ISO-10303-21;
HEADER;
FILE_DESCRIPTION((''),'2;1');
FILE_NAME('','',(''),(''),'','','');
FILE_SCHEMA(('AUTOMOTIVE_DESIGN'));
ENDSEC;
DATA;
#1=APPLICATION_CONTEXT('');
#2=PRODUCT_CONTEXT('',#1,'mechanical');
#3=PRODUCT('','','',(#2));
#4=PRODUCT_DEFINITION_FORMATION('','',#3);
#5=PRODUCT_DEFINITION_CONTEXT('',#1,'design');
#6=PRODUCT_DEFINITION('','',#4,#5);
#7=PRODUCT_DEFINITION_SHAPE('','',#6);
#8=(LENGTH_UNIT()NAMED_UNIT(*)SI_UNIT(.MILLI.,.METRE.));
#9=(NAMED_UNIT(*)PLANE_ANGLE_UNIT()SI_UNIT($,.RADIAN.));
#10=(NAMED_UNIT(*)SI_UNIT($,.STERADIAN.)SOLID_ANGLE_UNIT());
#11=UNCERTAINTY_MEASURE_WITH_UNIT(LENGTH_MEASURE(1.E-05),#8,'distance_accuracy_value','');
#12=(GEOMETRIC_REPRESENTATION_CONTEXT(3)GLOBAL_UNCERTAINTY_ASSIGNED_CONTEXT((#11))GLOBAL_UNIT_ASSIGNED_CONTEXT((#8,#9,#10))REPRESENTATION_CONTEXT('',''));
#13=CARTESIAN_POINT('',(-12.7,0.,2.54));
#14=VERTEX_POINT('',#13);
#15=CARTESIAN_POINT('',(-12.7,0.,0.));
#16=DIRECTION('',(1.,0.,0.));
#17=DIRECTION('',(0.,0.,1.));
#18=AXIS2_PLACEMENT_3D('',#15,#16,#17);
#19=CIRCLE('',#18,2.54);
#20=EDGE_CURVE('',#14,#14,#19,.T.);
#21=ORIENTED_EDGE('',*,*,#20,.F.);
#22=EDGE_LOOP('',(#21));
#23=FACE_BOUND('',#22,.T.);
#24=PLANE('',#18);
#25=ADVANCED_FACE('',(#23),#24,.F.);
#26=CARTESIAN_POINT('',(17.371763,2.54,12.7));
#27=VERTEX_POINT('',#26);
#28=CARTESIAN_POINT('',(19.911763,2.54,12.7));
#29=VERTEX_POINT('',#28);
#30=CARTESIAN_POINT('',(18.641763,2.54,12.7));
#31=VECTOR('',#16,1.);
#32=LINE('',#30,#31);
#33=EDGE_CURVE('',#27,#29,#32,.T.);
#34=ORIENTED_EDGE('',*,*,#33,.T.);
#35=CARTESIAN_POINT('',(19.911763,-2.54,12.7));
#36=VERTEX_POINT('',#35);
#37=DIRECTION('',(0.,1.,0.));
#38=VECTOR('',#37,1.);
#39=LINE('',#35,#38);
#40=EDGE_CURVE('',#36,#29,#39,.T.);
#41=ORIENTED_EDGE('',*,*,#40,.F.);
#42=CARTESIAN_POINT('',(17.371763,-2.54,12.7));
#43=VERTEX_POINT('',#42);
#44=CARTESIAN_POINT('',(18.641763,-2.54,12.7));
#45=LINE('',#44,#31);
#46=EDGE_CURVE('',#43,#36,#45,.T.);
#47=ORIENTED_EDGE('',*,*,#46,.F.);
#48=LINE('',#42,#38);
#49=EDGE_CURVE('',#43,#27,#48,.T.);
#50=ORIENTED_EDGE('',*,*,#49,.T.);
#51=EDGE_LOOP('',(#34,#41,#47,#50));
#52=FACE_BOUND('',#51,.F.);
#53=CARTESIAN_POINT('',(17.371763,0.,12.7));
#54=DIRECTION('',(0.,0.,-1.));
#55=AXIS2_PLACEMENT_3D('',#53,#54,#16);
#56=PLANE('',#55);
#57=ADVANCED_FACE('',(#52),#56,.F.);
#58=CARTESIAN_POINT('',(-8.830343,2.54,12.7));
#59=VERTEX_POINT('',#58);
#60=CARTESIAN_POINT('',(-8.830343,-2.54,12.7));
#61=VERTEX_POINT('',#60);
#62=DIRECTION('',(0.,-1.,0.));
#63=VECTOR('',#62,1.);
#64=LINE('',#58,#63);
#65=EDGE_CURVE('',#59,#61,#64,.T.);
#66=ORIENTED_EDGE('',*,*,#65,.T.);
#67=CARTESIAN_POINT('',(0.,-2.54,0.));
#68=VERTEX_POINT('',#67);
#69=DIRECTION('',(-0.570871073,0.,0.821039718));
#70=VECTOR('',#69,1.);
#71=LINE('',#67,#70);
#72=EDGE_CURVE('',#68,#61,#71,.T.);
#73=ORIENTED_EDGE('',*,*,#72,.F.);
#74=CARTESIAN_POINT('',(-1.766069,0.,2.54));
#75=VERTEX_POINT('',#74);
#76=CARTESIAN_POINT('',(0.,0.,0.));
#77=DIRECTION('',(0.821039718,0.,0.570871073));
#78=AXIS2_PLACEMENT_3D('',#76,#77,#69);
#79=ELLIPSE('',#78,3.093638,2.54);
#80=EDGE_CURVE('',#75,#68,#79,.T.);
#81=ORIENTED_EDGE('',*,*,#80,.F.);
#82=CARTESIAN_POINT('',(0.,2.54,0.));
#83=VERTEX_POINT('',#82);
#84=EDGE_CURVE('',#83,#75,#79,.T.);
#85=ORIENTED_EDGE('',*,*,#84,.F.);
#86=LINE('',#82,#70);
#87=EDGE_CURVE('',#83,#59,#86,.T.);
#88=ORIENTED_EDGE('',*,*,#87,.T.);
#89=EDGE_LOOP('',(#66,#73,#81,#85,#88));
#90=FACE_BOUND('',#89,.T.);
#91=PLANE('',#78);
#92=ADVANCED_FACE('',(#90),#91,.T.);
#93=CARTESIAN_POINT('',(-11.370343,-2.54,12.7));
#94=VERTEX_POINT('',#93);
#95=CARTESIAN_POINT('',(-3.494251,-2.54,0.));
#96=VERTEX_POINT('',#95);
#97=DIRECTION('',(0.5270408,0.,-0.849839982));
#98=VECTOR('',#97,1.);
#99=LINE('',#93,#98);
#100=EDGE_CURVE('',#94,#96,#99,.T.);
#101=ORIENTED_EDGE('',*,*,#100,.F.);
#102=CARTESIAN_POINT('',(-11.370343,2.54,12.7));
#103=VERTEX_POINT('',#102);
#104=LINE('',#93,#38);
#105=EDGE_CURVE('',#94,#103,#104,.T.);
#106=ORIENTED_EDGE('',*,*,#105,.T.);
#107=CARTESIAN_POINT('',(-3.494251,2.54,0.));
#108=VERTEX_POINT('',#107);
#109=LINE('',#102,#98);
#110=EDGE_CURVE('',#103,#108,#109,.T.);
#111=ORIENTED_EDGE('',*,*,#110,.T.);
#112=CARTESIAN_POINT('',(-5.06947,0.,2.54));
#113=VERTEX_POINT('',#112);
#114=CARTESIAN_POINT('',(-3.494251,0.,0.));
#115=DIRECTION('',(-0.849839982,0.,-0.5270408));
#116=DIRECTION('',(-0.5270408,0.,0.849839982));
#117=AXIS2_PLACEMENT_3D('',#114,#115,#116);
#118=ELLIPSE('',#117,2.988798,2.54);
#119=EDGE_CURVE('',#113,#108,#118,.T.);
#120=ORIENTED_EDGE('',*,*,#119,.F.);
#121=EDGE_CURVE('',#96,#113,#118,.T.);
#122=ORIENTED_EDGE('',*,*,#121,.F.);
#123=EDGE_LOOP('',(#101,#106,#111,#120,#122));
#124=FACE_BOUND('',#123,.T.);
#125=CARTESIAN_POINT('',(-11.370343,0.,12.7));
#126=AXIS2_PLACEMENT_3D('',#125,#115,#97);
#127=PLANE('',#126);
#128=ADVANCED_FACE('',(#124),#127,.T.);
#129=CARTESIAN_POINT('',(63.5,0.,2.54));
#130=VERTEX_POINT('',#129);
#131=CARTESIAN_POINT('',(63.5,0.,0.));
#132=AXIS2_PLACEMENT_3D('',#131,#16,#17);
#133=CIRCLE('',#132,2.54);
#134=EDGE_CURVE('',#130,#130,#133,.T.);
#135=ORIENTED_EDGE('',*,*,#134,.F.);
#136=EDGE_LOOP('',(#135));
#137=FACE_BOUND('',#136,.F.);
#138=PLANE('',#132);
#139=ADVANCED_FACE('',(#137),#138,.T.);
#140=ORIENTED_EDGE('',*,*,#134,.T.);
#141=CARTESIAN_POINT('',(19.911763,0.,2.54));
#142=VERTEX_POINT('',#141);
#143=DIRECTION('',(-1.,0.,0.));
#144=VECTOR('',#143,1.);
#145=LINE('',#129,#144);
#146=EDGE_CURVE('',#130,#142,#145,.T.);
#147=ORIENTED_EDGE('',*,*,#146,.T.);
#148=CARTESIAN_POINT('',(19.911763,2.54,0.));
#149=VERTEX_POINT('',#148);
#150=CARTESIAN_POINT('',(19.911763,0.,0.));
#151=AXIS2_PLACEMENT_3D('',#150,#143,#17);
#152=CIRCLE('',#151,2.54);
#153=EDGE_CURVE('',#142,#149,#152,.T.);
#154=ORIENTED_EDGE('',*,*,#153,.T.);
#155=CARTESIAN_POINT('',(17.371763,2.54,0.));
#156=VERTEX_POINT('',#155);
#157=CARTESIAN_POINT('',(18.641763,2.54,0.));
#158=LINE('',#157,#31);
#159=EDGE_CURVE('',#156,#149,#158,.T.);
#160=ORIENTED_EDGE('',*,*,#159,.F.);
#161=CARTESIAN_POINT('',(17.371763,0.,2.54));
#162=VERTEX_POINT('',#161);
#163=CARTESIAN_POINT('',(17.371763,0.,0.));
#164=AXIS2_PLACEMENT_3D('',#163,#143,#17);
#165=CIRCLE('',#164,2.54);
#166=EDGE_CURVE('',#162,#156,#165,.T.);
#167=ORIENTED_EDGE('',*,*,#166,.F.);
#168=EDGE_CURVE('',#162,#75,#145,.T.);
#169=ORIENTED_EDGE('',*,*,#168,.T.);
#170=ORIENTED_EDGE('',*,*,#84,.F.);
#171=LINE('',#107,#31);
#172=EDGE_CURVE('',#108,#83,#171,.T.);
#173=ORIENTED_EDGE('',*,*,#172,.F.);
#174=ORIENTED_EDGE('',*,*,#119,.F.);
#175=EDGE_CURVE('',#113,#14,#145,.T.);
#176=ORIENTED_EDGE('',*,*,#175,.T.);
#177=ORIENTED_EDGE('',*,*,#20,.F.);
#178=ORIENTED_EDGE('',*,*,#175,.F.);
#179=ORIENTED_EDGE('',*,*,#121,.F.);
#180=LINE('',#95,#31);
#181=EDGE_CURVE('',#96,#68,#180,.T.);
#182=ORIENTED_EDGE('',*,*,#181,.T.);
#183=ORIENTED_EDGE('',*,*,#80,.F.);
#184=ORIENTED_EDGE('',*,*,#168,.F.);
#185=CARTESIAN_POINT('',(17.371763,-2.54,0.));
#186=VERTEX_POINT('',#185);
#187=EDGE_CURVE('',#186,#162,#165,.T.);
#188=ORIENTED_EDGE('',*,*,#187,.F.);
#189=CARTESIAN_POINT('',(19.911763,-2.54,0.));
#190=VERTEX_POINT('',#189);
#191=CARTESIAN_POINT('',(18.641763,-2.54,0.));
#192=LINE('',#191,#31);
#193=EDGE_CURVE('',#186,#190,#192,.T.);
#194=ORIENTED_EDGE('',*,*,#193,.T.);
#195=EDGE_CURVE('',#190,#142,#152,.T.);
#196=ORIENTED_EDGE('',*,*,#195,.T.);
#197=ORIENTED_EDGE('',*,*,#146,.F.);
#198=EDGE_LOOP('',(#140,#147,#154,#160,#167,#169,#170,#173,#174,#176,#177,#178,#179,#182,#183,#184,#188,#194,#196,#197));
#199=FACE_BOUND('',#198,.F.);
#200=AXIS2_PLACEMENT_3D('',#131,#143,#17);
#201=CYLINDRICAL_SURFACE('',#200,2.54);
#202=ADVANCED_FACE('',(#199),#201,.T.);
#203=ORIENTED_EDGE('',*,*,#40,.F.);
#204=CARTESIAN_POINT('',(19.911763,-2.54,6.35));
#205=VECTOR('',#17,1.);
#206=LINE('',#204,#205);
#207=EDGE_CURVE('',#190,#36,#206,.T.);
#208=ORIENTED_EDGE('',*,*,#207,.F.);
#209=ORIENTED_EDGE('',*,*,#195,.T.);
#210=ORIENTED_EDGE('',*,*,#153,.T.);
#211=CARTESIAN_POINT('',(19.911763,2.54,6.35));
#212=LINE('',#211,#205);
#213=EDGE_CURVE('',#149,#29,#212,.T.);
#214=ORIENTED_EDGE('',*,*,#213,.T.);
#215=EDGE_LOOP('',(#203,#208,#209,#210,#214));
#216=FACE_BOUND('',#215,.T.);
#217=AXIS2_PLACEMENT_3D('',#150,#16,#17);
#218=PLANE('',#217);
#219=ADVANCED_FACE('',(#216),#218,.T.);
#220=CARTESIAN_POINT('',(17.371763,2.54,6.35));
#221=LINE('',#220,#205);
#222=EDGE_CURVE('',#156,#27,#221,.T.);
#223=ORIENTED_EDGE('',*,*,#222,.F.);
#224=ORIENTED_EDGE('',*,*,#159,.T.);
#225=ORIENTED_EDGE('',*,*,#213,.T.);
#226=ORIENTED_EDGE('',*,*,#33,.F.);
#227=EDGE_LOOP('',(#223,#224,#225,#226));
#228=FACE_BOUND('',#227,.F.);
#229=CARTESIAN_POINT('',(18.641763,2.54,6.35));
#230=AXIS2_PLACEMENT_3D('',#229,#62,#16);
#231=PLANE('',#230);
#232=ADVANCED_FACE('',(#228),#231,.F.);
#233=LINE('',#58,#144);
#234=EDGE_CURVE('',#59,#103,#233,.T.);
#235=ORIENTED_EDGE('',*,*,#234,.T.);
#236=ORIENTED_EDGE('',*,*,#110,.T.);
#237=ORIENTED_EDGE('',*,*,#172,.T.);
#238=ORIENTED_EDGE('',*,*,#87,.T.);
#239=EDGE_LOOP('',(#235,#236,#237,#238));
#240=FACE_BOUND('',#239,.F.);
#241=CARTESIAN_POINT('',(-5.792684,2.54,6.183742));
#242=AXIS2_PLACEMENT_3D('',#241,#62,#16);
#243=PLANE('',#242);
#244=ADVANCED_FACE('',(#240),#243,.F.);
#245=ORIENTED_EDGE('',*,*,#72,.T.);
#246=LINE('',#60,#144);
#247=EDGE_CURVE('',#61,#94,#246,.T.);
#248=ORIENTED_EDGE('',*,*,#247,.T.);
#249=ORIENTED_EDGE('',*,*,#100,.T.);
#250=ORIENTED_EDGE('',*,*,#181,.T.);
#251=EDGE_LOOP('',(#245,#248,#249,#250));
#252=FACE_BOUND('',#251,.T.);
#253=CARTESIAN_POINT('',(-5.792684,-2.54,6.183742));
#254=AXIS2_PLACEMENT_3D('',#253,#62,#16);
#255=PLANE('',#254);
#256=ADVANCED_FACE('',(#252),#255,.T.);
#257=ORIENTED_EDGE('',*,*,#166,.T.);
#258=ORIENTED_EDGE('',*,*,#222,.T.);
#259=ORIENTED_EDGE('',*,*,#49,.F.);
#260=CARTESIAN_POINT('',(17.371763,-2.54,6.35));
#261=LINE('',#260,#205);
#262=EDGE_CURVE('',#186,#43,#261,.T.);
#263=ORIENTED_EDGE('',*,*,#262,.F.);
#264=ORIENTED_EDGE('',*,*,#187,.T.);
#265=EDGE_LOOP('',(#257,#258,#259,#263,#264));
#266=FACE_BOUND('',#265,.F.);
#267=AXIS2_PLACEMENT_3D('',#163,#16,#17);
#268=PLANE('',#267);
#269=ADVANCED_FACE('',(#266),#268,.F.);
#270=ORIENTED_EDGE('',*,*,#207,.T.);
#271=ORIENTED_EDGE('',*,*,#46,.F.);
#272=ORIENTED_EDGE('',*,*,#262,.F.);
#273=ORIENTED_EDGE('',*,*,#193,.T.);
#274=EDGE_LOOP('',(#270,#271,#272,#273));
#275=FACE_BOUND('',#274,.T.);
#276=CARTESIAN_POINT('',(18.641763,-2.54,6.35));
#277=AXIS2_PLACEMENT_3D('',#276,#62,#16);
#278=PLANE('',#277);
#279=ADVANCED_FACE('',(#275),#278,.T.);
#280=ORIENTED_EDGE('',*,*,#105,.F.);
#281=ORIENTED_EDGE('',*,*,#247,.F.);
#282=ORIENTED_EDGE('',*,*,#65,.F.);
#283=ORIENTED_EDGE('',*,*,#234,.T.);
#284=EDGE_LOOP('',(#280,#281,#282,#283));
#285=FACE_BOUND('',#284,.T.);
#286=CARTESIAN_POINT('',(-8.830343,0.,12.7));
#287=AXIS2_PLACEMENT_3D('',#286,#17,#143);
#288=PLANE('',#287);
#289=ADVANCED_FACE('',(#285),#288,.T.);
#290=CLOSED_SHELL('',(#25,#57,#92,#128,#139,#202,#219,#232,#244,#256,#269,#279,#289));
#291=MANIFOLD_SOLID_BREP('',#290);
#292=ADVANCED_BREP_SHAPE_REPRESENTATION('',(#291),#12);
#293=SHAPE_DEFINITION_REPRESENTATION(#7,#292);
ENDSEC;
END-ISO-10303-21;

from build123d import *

# Parameters (mm, degrees)
F2_DEPTH = 2.54
F1_W     = 2.54
F1_H     = 12.7
F0_W     = 63.5
F0_H     = 2.54
F0_W_2   = 12.7


with BuildPart() as f2:
    # F1 (on Front) → F2 (new body, symmetric)
    with BuildSketch(Plane.XZ):
        Polygon((-3.4942510538, 0), (0, 0), (-8.8303433731, 12.7), (-11.3703433731, 12.7), align=None)
    extrude(amount=F2_DEPTH, both=True)



with BuildPart() as f2b:
    # F1 (on Front) → F2, piece 2 (new body, symmetric)
    with BuildSketch(Plane.XZ):
        with Locations((18.6417625439, 6.35)):
            Rectangle(F1_W, F1_H)
    extrude(amount=F2_DEPTH, both=True)


with BuildPart() as f2_1:
    add(f2.part)

    add(f2b.part)  # F3 merges F2b
    # F0 (on Front) → F3 (revolve)
    with BuildSketch(Plane.XZ):
        with Locations((31.75, 1.27)):
            Rectangle(F0_W, F0_H)
        with Locations((-6.35, 1.27)):
            Rectangle(F0_W_2, F0_H)
    revolve(axis=Axis((31.75, 0, 0), (1, 0, 0)))


solid = f2_1.part
